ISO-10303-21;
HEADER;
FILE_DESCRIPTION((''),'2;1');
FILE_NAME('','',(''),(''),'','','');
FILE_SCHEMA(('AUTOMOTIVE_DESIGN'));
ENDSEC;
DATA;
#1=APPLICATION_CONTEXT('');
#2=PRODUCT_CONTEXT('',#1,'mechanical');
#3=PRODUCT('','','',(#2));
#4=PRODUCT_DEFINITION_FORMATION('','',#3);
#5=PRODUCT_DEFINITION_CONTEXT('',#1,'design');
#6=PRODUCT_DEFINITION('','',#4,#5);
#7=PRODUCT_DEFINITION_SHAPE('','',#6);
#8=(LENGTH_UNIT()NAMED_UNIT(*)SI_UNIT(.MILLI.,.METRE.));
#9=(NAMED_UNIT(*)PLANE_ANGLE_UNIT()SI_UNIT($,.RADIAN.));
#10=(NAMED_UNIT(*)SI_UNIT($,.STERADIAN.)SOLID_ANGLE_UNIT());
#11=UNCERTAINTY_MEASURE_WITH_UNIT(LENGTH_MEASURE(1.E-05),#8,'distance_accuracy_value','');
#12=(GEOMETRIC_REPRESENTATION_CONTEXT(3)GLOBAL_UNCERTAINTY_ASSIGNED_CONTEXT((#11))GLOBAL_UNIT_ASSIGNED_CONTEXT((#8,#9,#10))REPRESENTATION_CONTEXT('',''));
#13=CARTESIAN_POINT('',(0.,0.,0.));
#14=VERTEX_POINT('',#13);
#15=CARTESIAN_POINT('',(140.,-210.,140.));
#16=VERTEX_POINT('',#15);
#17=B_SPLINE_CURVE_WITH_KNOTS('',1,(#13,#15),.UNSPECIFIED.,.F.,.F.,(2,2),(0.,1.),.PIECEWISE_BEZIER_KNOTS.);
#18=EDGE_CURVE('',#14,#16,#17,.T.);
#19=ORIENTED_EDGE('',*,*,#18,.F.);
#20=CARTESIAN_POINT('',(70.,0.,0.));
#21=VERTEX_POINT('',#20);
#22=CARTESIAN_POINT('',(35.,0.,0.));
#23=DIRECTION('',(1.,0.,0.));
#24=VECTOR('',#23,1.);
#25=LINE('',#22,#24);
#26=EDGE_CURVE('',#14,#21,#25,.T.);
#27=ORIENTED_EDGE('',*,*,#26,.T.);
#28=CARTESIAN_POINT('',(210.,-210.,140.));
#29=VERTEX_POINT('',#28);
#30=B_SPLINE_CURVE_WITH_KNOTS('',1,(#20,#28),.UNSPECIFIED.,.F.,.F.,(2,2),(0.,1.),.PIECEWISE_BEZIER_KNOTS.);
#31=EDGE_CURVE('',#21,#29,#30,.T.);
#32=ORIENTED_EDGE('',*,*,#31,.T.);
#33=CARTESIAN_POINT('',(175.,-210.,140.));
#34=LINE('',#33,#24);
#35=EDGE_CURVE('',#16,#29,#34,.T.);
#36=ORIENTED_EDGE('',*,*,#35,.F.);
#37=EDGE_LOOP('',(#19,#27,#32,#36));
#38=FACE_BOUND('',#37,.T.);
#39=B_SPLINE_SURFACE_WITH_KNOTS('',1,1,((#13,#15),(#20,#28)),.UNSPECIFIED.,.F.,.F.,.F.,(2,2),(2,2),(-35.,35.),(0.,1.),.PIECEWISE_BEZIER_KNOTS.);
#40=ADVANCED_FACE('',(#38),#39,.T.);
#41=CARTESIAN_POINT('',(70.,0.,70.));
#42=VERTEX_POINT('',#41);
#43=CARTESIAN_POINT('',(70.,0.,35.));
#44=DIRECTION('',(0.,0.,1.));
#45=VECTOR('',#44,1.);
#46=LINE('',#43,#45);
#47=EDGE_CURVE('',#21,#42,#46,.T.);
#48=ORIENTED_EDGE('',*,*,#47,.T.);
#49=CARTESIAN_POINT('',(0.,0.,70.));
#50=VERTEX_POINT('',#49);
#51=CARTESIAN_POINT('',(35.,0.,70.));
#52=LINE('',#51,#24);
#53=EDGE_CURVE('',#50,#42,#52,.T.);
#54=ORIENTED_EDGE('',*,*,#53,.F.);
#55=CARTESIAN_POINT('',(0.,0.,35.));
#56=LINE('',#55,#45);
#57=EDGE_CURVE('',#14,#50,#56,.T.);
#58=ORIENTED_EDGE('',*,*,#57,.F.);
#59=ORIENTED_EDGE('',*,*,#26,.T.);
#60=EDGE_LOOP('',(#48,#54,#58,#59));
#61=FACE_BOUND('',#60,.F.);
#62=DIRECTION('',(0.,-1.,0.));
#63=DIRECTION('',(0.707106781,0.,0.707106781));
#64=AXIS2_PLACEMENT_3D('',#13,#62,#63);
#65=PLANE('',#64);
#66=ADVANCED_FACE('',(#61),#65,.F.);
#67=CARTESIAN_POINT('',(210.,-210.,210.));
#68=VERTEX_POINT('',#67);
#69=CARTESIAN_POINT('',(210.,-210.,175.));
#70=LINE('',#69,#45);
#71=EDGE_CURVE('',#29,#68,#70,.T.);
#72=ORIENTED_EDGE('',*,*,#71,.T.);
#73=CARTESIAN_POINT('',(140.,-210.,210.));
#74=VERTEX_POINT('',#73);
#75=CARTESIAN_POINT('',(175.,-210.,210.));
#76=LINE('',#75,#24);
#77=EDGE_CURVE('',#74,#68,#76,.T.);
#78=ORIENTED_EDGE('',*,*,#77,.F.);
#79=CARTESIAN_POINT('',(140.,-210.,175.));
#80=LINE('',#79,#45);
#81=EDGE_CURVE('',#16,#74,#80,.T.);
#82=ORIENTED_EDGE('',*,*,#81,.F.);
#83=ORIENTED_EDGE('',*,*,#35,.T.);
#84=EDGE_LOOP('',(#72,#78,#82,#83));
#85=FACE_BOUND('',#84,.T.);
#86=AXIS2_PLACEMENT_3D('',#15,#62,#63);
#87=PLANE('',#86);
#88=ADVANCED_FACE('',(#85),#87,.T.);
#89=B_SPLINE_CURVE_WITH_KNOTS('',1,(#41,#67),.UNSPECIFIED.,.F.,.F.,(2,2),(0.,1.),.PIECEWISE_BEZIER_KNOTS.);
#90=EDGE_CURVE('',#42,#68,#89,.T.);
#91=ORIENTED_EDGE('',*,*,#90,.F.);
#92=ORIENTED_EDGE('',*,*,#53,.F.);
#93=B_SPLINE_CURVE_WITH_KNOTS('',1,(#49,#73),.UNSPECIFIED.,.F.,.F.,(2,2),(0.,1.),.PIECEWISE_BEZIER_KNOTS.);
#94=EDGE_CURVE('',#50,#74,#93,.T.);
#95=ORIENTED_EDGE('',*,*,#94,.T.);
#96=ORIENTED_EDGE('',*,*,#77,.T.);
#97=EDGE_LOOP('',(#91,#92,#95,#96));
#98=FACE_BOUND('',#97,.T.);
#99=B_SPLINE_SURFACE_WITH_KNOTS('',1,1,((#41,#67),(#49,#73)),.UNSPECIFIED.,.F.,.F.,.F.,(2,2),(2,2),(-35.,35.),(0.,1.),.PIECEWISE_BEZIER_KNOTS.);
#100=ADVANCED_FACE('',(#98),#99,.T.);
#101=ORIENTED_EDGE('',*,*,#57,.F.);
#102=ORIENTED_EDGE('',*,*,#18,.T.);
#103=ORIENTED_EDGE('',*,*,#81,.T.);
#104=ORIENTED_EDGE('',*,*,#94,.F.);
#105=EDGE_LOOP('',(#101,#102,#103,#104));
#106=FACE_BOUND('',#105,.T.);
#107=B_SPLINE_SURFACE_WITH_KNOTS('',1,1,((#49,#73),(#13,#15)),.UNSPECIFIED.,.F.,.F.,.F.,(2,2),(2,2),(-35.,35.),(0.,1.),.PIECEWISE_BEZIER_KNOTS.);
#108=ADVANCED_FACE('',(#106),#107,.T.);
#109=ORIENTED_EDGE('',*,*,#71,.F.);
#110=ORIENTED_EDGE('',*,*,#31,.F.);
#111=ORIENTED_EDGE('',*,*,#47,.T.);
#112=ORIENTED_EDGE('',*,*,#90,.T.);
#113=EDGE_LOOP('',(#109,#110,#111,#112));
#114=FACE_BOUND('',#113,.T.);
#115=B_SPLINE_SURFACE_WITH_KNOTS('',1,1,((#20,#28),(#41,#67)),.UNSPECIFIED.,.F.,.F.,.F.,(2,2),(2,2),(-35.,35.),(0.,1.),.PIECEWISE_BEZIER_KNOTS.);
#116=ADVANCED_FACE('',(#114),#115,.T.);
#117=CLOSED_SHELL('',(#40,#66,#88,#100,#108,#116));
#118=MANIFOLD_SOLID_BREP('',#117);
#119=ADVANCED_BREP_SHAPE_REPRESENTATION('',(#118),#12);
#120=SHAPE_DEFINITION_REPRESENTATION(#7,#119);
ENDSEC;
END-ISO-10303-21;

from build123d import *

# Parameters (mm, degrees)
F0_W = 70
F0_H = 70
F2_W = 70
F2_H = 70


with BuildPart() as f3:
    # F0 (on Front) → F3 section 0
    with BuildSketch(Plane.XZ):
        with Locations((35, 35)):
            Rectangle(F0_W, F0_H)
    # F2 (on offset) → F3 section 1
    with BuildSketch(Plane.XZ.offset(210)):
        with Locations((175, 175)):
            Rectangle(F2_W, F2_H)
    loft()


solid = f3.part
